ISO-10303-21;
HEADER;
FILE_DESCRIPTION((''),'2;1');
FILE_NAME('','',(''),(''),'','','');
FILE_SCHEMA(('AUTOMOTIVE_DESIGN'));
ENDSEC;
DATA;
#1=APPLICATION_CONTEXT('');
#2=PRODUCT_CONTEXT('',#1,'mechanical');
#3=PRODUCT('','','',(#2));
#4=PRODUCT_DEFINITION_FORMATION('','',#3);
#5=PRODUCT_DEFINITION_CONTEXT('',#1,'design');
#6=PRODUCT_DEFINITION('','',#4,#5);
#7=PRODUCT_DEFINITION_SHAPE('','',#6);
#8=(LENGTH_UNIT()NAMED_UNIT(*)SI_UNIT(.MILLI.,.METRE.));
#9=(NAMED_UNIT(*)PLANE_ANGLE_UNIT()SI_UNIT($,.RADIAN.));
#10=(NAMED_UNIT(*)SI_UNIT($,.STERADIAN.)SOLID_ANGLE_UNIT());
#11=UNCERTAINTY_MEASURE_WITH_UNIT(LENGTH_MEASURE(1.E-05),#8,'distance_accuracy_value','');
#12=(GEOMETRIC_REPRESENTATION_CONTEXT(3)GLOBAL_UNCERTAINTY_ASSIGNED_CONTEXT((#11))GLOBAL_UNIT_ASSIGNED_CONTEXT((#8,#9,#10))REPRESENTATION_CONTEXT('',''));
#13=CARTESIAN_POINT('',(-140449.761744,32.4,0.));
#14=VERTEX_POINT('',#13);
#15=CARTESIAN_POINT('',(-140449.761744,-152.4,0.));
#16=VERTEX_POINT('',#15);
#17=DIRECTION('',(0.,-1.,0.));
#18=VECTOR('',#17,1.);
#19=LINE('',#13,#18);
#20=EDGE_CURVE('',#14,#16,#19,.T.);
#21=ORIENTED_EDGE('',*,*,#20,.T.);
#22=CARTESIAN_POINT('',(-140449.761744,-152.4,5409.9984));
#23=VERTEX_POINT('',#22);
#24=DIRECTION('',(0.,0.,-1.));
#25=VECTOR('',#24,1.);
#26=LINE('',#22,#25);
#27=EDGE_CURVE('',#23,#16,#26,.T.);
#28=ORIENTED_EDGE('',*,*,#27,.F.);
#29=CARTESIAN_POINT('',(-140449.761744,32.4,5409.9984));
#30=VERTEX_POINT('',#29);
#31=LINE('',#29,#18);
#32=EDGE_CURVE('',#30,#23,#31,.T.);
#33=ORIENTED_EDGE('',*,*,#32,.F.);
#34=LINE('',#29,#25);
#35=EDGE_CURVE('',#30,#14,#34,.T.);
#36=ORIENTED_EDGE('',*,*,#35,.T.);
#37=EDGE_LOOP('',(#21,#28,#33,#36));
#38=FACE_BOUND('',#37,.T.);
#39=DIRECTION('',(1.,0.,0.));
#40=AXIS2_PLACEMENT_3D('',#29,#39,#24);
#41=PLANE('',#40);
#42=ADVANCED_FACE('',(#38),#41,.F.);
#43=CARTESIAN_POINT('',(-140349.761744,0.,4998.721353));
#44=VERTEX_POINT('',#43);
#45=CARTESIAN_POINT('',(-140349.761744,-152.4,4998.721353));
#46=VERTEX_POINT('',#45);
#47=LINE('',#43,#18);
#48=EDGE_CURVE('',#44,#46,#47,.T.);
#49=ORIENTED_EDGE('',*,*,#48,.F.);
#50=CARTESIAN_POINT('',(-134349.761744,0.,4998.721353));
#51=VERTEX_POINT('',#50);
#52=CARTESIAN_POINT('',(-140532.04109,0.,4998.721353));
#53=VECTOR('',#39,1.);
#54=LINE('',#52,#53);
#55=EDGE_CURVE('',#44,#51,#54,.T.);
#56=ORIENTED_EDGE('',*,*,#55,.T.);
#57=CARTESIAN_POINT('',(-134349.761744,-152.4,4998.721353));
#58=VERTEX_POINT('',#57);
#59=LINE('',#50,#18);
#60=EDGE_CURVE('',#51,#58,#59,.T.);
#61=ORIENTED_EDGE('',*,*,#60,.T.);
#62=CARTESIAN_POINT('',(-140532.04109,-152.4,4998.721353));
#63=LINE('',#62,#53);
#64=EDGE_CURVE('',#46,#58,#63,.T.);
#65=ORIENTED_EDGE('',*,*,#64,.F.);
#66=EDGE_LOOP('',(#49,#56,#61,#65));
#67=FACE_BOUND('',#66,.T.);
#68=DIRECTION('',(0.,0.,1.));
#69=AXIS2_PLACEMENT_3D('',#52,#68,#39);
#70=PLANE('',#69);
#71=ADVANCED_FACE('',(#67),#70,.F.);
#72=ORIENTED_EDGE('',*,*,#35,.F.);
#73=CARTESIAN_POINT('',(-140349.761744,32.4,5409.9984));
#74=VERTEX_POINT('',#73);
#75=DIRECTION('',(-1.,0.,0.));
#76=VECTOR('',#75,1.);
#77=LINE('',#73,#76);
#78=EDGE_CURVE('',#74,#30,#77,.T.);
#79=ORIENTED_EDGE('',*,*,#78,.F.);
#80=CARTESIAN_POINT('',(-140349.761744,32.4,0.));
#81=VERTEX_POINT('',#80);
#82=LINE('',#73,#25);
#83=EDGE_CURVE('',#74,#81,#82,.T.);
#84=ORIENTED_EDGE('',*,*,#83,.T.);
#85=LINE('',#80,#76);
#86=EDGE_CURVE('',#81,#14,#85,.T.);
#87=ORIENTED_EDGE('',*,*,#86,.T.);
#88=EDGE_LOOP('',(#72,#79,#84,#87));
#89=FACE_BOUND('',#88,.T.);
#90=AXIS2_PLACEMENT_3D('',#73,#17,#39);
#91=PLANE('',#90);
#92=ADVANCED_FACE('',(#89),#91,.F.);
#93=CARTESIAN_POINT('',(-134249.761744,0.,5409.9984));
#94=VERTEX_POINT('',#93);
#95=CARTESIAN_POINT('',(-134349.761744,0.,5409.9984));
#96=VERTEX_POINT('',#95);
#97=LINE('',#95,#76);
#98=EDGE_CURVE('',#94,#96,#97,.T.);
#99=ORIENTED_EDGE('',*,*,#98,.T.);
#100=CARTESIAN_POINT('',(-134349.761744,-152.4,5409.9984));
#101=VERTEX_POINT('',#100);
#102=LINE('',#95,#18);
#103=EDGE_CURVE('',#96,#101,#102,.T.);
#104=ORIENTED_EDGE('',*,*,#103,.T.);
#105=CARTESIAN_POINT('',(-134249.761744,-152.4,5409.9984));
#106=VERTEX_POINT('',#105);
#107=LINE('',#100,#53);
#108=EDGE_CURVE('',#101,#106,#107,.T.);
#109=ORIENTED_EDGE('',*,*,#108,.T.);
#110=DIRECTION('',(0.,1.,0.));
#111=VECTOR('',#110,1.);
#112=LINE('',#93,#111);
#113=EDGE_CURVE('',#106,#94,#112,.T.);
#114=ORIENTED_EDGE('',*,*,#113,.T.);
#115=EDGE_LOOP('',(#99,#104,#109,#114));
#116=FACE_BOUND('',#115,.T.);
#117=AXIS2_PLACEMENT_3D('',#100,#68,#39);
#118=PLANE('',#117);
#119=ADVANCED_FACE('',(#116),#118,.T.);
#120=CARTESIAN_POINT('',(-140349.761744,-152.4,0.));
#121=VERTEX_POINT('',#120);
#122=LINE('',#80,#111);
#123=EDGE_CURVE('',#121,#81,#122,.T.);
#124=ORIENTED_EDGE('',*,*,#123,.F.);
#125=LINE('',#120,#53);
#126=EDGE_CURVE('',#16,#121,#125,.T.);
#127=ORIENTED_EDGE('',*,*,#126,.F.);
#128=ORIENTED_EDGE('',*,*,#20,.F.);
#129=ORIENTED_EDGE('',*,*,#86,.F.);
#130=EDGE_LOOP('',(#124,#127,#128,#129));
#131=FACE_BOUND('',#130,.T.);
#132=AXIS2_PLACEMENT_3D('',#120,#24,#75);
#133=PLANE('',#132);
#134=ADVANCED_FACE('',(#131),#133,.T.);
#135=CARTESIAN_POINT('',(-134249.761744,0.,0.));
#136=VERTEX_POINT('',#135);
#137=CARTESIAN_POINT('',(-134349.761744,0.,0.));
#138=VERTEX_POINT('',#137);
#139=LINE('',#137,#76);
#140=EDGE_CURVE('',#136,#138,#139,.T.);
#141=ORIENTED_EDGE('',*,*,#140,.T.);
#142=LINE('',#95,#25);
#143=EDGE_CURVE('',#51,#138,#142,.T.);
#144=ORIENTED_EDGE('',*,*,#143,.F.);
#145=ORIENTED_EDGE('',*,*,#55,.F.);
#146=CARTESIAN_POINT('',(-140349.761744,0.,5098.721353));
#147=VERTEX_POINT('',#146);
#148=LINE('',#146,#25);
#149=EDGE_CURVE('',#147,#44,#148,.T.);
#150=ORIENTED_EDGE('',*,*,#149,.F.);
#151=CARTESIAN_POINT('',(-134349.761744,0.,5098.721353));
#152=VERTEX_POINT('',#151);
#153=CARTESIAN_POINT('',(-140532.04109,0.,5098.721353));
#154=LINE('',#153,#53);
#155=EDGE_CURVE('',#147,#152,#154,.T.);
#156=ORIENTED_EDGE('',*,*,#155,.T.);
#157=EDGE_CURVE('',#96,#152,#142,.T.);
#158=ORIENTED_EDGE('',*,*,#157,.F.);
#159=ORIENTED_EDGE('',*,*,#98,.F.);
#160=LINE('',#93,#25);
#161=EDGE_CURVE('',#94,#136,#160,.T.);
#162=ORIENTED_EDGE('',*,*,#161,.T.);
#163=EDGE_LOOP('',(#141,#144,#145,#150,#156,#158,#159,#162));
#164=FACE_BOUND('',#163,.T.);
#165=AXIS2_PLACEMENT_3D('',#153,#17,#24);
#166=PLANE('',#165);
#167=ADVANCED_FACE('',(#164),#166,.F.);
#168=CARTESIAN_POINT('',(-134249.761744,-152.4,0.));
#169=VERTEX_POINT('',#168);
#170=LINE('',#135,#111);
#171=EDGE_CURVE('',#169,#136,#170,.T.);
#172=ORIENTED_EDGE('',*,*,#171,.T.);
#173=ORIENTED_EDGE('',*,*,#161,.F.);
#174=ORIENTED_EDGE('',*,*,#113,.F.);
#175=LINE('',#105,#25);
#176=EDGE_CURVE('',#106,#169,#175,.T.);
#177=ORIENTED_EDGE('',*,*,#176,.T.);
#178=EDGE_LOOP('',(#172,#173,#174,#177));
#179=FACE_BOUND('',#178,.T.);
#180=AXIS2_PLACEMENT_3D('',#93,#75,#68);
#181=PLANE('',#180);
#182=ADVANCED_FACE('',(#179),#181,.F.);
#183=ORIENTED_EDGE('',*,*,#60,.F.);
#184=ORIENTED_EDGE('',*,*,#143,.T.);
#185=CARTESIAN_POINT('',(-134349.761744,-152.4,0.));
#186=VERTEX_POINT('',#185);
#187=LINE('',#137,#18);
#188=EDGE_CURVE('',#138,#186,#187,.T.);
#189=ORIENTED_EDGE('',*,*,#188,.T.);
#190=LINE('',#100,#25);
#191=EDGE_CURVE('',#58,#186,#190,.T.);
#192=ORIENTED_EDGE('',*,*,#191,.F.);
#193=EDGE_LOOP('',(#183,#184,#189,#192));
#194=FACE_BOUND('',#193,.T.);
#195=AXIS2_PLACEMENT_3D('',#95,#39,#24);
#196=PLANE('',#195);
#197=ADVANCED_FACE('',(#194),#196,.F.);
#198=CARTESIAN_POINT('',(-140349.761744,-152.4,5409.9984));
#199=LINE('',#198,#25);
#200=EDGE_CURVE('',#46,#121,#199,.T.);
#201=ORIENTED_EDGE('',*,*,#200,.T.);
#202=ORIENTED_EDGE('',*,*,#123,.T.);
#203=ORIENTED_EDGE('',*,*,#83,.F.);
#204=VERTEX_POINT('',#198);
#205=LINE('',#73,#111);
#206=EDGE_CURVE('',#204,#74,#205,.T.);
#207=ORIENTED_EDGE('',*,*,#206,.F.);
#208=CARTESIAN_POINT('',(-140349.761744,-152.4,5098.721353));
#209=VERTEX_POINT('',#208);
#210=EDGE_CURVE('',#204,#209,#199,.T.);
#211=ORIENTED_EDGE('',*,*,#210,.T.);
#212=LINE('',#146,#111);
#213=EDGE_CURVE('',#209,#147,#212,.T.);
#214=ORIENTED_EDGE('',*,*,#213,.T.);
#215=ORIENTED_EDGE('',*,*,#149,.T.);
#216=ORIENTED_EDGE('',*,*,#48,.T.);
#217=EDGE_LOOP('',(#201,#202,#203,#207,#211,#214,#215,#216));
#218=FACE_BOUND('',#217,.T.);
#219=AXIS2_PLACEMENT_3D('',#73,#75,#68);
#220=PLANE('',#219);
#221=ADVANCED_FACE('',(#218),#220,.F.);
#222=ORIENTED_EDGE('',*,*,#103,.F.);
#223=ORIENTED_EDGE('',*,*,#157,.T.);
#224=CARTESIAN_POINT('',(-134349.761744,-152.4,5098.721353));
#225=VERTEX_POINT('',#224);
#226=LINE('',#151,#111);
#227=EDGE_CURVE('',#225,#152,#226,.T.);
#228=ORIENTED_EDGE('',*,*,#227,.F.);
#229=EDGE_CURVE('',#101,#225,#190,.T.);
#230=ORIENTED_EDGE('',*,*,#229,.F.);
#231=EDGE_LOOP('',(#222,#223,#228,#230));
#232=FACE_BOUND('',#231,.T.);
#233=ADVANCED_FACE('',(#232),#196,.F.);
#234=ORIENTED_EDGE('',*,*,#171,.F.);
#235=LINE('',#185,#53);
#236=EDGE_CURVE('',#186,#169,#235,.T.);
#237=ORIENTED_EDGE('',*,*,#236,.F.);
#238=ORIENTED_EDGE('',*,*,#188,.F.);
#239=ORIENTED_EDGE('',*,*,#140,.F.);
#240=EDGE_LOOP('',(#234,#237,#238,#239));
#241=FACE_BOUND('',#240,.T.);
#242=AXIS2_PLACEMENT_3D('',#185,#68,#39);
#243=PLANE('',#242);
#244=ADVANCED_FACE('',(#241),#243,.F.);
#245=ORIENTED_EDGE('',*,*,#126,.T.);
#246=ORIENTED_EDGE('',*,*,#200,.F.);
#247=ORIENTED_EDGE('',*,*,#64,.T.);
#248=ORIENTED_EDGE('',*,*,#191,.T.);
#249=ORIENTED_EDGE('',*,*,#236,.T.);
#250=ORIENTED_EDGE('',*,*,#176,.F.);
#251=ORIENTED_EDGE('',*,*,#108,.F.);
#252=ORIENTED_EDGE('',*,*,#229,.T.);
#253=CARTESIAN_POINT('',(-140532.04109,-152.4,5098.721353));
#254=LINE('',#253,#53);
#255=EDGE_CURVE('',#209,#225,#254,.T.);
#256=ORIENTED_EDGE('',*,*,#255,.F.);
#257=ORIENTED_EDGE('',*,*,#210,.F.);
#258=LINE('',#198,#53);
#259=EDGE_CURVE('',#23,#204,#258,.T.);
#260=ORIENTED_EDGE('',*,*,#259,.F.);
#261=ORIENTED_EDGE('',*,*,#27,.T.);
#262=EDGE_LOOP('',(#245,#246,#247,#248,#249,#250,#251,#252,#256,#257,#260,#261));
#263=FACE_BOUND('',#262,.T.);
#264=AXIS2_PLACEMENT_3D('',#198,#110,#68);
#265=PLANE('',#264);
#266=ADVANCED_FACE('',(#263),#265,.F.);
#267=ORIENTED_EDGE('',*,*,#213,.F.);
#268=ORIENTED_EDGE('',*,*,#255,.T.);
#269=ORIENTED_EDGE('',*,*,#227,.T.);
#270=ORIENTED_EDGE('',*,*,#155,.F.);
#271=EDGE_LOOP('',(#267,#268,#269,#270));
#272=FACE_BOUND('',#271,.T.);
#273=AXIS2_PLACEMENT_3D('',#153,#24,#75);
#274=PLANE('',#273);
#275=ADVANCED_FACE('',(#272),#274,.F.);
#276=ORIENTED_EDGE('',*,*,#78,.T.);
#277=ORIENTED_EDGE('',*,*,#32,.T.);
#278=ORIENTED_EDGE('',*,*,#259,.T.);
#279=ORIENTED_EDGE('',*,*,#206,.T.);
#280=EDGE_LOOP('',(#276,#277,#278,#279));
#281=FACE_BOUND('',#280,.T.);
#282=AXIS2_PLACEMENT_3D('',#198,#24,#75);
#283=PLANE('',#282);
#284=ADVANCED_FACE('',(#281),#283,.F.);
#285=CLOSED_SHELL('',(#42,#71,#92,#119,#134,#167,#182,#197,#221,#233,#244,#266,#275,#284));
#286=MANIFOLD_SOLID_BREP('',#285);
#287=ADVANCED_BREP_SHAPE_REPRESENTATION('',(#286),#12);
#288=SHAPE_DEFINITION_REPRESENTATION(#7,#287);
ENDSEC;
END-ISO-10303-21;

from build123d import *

# Parameters (mm, degrees)
SKETCH1_W        = 100
SKETCH1_H        = 184.8
EXTRUDE1_DEPTH   = 5409.9984
SKETCH1_H_2      = 152.4
EXTRUDE1_2_DEPTH = 5409.9984
SKETCH2_W        = 100
SKETCH2_H        = 152.4
EXTRUDE2_DEPTH   = 6000


with BuildPart() as part:
    # Sketch1 → Extrude1 (new body)
    with BuildSketch(Plane.XY):
        with Locations((-140399.761744046, -60)):
            Rectangle(SKETCH1_W, SKETCH1_H)
    extrude(amount=EXTRUDE1_DEPTH)



with BuildPart() as body_2:
    # Sketch1 → Extrude1 2 (new body)
    with BuildSketch(Plane.XY):
        with Locations((-134299.761744046, -76.2)):
            Rectangle(SKETCH1_W, SKETCH1_H_2)
    extrude(amount=EXTRUDE1_2_DEPTH)


with BuildPart() as part_1:
    add(part.part)

    add(body_2.part)  # Extrude2 merges body 2
    # Sketch2 → Extrude2 (add)
    with BuildSketch(Plane.ZY.offset(134349.761744046)):
        with Locations((5048.721352532, -76.2)):
            Rectangle(SKETCH2_W, SKETCH2_H)
    extrude(amount=EXTRUDE2_DEPTH)


solid = part_1.part
